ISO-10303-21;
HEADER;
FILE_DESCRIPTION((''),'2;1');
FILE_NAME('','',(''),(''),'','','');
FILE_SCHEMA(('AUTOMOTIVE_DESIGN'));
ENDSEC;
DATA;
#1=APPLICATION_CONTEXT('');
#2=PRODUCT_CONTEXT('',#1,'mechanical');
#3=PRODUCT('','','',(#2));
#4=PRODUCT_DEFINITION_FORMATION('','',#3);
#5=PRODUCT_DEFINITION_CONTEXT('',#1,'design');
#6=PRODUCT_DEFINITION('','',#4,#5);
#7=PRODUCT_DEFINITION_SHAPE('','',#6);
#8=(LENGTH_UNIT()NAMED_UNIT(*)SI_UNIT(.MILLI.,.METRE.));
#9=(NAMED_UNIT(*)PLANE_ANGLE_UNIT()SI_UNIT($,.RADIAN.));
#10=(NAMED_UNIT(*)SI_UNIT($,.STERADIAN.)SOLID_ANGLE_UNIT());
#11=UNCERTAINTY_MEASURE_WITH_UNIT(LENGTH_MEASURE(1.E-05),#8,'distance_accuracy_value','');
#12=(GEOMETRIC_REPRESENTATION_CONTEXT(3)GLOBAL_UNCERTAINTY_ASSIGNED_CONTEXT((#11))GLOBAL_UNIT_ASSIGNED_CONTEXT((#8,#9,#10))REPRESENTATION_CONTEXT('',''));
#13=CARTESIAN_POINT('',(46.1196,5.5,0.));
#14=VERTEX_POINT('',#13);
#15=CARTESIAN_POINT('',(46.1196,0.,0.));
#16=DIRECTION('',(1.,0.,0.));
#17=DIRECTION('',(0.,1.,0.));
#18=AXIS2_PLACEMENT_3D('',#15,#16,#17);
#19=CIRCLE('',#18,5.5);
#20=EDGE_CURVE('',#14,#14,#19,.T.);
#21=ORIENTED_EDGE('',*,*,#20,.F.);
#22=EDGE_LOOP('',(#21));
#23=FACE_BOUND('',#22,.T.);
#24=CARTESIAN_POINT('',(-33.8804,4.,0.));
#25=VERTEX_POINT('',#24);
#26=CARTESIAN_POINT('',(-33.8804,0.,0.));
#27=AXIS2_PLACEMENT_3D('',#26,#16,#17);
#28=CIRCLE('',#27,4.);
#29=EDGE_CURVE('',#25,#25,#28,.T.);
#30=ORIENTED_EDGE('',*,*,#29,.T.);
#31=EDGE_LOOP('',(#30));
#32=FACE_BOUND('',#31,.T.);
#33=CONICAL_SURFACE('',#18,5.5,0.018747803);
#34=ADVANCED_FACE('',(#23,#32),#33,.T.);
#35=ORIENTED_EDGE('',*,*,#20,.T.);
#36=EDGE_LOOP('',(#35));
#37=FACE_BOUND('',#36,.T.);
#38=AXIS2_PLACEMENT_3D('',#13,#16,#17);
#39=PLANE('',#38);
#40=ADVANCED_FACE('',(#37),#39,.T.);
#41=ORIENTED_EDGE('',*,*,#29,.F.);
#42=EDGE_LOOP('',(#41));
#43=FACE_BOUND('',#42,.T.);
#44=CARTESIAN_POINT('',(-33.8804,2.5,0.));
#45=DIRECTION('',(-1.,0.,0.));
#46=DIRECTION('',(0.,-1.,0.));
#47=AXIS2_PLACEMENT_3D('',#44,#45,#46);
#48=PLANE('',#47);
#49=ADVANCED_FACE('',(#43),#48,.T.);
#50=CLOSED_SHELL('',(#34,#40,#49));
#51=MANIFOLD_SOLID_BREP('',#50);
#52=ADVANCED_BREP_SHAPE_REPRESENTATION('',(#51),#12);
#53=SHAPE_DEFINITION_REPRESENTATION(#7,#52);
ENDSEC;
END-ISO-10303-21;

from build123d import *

# Parameters (mm, degrees)
SCHNITT_LINEAR_START            = -5
SKIZZE2_R                       = 2.5
SCHNITT_LINEAR_AUSTRAGEN1_DEPTH = 5
SKIZZE3_R                       = 4
SCHNITT_LINEAR_AUSTRAGEN2_DEPTH = 5


with BuildPart() as part:
    # Skizze1 → Rotation1 (revolve)
    with BuildSketch(Plane.XY):
        Polygon((-38.880400098, 0), (-38.880400098, 2.5), (-33.880400098, 2.5), (-33.880400098, 4), (46.119599902, 5.5), (46.119599902, 4), (51.119599902, 4), (51.119599902, 0), align=None)
    revolve(axis=Axis((51.119599902, 0, 0), (-1, 0, 0)))

    # Skizze2 → Schnitt-Linear austragen1 (cut)
    with BuildSketch(Plane.ZY.offset(38.880400098).offset(SCHNITT_LINEAR_START)):
        Circle(SKIZZE2_R)
    extrude(amount=SCHNITT_LINEAR_AUSTRAGEN1_DEPTH, mode=Mode.SUBTRACT)

    # Skizze3 → Schnitt-Linear austragen2 (cut)
    with BuildSketch(Plane(origin=(51.119599902, 0, 0), x_dir=(0, 0, -1), z_dir=(1, 0, 0))):
        Circle(SKIZZE3_R)
    extrude(amount=-SCHNITT_LINEAR_AUSTRAGEN2_DEPTH, mode=Mode.SUBTRACT)


solid = part.part
